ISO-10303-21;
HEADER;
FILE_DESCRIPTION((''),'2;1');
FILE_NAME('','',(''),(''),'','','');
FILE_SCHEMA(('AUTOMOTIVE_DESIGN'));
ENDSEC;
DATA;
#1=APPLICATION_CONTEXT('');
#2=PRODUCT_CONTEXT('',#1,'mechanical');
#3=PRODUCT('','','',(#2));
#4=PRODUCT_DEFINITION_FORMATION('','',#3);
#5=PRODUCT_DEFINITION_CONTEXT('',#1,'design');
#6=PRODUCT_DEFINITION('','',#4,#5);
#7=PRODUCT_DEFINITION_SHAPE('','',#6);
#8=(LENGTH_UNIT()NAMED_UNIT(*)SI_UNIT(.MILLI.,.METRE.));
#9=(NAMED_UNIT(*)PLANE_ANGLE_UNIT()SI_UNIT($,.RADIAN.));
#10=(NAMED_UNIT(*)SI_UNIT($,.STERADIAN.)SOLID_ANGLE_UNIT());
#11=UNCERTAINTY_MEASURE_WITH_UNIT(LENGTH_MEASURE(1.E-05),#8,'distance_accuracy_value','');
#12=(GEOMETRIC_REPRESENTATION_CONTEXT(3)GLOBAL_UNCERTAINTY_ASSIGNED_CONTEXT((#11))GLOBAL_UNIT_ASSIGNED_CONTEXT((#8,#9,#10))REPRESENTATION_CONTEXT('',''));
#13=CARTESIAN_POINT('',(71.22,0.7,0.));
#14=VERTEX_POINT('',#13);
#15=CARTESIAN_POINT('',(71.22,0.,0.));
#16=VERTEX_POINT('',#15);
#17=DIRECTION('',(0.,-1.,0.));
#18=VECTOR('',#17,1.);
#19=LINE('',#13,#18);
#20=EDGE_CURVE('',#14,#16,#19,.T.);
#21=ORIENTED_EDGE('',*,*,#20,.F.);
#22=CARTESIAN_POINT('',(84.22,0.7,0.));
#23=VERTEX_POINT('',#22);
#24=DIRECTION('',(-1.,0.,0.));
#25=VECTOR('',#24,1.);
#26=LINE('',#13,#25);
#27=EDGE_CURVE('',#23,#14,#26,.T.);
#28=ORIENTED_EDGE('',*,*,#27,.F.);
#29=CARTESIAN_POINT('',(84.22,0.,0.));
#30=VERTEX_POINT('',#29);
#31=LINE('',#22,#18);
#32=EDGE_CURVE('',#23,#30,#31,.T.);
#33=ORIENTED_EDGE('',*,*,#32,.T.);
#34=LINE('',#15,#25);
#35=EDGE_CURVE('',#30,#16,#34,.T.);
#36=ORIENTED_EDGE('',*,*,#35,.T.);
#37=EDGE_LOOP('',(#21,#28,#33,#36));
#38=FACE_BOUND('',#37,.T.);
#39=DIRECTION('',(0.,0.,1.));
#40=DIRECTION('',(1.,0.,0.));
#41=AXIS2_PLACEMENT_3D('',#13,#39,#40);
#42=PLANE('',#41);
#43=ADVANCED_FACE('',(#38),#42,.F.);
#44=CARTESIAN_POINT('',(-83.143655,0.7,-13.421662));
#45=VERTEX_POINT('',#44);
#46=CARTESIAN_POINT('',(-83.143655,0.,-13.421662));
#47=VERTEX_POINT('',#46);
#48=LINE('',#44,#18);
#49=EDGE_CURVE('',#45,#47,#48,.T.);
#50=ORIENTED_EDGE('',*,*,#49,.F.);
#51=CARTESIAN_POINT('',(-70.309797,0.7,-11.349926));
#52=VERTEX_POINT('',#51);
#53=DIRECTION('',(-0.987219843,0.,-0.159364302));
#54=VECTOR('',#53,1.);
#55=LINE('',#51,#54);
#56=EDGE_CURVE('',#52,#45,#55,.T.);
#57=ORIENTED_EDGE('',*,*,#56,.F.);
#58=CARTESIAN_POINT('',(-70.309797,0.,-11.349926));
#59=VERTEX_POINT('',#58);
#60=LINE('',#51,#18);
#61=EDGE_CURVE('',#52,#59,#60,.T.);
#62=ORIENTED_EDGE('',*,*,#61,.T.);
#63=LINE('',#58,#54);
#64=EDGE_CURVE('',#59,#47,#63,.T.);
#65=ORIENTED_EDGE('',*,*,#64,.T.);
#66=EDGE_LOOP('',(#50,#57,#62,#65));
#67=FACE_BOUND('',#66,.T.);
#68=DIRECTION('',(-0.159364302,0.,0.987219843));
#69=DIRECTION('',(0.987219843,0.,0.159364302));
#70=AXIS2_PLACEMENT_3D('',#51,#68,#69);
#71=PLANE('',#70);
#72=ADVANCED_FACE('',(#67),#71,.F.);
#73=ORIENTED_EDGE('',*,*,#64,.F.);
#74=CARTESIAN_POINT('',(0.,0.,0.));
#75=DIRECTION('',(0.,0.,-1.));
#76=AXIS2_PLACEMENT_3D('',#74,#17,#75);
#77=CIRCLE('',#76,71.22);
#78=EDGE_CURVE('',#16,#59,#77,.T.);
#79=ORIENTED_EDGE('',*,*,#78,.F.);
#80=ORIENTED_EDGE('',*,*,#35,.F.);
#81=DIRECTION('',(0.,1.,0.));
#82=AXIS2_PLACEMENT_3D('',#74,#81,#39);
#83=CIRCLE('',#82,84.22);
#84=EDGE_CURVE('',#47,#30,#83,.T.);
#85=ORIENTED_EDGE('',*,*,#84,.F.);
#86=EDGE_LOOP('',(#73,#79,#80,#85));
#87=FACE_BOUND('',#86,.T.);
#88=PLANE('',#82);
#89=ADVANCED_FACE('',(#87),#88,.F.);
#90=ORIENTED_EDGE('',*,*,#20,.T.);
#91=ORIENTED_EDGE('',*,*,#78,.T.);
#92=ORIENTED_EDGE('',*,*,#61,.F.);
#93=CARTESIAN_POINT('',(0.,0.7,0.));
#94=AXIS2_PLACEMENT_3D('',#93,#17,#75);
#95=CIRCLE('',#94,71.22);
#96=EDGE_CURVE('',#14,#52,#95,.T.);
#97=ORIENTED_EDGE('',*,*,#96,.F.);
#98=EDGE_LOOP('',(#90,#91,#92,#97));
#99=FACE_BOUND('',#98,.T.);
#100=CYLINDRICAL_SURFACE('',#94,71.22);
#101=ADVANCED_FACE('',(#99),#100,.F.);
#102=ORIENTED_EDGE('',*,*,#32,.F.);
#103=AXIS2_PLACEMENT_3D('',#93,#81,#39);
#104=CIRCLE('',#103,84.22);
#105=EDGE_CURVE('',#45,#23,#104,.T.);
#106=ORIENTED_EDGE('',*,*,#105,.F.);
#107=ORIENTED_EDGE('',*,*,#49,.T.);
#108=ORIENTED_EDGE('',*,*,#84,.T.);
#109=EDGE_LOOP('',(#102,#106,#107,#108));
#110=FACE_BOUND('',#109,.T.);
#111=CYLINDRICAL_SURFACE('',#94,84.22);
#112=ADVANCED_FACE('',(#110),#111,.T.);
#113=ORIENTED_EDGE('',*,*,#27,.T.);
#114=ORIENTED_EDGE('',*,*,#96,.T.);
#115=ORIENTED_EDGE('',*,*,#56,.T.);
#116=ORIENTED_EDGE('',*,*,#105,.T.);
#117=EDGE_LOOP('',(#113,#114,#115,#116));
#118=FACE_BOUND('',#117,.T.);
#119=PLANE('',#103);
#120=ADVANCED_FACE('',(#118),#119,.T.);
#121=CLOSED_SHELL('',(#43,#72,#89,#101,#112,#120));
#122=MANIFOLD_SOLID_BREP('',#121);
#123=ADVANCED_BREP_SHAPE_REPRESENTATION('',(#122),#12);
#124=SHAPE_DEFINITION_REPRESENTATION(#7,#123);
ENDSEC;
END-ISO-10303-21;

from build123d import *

# Parameters (mm, degrees)
BOSS_EXTRUDE1_DEPTH = 0.7


with BuildPart() as part:
    # Sketch3 → Boss-Extrude1 (new body)
    with BuildSketch(Plane(origin=(0, 0, 0), x_dir=(1, 0, 0), z_dir=(0, 1, 0))):
        with BuildLine():
            Line((-70.309797243, 11.349925621), (-83.143655207, 13.421661553))
            ThreePointArc((-83.143655207, 13.421661553), (-6.732375453, -83.950482552), (84.22, 0))
            Line((84.22, 0), (71.22, 0))
            ThreePointArc((71.22, 0), (-5.693181902, -70.992084628), (-70.309797243, 11.349925621))
        make_face()
    extrude(amount=BOSS_EXTRUDE1_DEPTH)


solid = part.part
